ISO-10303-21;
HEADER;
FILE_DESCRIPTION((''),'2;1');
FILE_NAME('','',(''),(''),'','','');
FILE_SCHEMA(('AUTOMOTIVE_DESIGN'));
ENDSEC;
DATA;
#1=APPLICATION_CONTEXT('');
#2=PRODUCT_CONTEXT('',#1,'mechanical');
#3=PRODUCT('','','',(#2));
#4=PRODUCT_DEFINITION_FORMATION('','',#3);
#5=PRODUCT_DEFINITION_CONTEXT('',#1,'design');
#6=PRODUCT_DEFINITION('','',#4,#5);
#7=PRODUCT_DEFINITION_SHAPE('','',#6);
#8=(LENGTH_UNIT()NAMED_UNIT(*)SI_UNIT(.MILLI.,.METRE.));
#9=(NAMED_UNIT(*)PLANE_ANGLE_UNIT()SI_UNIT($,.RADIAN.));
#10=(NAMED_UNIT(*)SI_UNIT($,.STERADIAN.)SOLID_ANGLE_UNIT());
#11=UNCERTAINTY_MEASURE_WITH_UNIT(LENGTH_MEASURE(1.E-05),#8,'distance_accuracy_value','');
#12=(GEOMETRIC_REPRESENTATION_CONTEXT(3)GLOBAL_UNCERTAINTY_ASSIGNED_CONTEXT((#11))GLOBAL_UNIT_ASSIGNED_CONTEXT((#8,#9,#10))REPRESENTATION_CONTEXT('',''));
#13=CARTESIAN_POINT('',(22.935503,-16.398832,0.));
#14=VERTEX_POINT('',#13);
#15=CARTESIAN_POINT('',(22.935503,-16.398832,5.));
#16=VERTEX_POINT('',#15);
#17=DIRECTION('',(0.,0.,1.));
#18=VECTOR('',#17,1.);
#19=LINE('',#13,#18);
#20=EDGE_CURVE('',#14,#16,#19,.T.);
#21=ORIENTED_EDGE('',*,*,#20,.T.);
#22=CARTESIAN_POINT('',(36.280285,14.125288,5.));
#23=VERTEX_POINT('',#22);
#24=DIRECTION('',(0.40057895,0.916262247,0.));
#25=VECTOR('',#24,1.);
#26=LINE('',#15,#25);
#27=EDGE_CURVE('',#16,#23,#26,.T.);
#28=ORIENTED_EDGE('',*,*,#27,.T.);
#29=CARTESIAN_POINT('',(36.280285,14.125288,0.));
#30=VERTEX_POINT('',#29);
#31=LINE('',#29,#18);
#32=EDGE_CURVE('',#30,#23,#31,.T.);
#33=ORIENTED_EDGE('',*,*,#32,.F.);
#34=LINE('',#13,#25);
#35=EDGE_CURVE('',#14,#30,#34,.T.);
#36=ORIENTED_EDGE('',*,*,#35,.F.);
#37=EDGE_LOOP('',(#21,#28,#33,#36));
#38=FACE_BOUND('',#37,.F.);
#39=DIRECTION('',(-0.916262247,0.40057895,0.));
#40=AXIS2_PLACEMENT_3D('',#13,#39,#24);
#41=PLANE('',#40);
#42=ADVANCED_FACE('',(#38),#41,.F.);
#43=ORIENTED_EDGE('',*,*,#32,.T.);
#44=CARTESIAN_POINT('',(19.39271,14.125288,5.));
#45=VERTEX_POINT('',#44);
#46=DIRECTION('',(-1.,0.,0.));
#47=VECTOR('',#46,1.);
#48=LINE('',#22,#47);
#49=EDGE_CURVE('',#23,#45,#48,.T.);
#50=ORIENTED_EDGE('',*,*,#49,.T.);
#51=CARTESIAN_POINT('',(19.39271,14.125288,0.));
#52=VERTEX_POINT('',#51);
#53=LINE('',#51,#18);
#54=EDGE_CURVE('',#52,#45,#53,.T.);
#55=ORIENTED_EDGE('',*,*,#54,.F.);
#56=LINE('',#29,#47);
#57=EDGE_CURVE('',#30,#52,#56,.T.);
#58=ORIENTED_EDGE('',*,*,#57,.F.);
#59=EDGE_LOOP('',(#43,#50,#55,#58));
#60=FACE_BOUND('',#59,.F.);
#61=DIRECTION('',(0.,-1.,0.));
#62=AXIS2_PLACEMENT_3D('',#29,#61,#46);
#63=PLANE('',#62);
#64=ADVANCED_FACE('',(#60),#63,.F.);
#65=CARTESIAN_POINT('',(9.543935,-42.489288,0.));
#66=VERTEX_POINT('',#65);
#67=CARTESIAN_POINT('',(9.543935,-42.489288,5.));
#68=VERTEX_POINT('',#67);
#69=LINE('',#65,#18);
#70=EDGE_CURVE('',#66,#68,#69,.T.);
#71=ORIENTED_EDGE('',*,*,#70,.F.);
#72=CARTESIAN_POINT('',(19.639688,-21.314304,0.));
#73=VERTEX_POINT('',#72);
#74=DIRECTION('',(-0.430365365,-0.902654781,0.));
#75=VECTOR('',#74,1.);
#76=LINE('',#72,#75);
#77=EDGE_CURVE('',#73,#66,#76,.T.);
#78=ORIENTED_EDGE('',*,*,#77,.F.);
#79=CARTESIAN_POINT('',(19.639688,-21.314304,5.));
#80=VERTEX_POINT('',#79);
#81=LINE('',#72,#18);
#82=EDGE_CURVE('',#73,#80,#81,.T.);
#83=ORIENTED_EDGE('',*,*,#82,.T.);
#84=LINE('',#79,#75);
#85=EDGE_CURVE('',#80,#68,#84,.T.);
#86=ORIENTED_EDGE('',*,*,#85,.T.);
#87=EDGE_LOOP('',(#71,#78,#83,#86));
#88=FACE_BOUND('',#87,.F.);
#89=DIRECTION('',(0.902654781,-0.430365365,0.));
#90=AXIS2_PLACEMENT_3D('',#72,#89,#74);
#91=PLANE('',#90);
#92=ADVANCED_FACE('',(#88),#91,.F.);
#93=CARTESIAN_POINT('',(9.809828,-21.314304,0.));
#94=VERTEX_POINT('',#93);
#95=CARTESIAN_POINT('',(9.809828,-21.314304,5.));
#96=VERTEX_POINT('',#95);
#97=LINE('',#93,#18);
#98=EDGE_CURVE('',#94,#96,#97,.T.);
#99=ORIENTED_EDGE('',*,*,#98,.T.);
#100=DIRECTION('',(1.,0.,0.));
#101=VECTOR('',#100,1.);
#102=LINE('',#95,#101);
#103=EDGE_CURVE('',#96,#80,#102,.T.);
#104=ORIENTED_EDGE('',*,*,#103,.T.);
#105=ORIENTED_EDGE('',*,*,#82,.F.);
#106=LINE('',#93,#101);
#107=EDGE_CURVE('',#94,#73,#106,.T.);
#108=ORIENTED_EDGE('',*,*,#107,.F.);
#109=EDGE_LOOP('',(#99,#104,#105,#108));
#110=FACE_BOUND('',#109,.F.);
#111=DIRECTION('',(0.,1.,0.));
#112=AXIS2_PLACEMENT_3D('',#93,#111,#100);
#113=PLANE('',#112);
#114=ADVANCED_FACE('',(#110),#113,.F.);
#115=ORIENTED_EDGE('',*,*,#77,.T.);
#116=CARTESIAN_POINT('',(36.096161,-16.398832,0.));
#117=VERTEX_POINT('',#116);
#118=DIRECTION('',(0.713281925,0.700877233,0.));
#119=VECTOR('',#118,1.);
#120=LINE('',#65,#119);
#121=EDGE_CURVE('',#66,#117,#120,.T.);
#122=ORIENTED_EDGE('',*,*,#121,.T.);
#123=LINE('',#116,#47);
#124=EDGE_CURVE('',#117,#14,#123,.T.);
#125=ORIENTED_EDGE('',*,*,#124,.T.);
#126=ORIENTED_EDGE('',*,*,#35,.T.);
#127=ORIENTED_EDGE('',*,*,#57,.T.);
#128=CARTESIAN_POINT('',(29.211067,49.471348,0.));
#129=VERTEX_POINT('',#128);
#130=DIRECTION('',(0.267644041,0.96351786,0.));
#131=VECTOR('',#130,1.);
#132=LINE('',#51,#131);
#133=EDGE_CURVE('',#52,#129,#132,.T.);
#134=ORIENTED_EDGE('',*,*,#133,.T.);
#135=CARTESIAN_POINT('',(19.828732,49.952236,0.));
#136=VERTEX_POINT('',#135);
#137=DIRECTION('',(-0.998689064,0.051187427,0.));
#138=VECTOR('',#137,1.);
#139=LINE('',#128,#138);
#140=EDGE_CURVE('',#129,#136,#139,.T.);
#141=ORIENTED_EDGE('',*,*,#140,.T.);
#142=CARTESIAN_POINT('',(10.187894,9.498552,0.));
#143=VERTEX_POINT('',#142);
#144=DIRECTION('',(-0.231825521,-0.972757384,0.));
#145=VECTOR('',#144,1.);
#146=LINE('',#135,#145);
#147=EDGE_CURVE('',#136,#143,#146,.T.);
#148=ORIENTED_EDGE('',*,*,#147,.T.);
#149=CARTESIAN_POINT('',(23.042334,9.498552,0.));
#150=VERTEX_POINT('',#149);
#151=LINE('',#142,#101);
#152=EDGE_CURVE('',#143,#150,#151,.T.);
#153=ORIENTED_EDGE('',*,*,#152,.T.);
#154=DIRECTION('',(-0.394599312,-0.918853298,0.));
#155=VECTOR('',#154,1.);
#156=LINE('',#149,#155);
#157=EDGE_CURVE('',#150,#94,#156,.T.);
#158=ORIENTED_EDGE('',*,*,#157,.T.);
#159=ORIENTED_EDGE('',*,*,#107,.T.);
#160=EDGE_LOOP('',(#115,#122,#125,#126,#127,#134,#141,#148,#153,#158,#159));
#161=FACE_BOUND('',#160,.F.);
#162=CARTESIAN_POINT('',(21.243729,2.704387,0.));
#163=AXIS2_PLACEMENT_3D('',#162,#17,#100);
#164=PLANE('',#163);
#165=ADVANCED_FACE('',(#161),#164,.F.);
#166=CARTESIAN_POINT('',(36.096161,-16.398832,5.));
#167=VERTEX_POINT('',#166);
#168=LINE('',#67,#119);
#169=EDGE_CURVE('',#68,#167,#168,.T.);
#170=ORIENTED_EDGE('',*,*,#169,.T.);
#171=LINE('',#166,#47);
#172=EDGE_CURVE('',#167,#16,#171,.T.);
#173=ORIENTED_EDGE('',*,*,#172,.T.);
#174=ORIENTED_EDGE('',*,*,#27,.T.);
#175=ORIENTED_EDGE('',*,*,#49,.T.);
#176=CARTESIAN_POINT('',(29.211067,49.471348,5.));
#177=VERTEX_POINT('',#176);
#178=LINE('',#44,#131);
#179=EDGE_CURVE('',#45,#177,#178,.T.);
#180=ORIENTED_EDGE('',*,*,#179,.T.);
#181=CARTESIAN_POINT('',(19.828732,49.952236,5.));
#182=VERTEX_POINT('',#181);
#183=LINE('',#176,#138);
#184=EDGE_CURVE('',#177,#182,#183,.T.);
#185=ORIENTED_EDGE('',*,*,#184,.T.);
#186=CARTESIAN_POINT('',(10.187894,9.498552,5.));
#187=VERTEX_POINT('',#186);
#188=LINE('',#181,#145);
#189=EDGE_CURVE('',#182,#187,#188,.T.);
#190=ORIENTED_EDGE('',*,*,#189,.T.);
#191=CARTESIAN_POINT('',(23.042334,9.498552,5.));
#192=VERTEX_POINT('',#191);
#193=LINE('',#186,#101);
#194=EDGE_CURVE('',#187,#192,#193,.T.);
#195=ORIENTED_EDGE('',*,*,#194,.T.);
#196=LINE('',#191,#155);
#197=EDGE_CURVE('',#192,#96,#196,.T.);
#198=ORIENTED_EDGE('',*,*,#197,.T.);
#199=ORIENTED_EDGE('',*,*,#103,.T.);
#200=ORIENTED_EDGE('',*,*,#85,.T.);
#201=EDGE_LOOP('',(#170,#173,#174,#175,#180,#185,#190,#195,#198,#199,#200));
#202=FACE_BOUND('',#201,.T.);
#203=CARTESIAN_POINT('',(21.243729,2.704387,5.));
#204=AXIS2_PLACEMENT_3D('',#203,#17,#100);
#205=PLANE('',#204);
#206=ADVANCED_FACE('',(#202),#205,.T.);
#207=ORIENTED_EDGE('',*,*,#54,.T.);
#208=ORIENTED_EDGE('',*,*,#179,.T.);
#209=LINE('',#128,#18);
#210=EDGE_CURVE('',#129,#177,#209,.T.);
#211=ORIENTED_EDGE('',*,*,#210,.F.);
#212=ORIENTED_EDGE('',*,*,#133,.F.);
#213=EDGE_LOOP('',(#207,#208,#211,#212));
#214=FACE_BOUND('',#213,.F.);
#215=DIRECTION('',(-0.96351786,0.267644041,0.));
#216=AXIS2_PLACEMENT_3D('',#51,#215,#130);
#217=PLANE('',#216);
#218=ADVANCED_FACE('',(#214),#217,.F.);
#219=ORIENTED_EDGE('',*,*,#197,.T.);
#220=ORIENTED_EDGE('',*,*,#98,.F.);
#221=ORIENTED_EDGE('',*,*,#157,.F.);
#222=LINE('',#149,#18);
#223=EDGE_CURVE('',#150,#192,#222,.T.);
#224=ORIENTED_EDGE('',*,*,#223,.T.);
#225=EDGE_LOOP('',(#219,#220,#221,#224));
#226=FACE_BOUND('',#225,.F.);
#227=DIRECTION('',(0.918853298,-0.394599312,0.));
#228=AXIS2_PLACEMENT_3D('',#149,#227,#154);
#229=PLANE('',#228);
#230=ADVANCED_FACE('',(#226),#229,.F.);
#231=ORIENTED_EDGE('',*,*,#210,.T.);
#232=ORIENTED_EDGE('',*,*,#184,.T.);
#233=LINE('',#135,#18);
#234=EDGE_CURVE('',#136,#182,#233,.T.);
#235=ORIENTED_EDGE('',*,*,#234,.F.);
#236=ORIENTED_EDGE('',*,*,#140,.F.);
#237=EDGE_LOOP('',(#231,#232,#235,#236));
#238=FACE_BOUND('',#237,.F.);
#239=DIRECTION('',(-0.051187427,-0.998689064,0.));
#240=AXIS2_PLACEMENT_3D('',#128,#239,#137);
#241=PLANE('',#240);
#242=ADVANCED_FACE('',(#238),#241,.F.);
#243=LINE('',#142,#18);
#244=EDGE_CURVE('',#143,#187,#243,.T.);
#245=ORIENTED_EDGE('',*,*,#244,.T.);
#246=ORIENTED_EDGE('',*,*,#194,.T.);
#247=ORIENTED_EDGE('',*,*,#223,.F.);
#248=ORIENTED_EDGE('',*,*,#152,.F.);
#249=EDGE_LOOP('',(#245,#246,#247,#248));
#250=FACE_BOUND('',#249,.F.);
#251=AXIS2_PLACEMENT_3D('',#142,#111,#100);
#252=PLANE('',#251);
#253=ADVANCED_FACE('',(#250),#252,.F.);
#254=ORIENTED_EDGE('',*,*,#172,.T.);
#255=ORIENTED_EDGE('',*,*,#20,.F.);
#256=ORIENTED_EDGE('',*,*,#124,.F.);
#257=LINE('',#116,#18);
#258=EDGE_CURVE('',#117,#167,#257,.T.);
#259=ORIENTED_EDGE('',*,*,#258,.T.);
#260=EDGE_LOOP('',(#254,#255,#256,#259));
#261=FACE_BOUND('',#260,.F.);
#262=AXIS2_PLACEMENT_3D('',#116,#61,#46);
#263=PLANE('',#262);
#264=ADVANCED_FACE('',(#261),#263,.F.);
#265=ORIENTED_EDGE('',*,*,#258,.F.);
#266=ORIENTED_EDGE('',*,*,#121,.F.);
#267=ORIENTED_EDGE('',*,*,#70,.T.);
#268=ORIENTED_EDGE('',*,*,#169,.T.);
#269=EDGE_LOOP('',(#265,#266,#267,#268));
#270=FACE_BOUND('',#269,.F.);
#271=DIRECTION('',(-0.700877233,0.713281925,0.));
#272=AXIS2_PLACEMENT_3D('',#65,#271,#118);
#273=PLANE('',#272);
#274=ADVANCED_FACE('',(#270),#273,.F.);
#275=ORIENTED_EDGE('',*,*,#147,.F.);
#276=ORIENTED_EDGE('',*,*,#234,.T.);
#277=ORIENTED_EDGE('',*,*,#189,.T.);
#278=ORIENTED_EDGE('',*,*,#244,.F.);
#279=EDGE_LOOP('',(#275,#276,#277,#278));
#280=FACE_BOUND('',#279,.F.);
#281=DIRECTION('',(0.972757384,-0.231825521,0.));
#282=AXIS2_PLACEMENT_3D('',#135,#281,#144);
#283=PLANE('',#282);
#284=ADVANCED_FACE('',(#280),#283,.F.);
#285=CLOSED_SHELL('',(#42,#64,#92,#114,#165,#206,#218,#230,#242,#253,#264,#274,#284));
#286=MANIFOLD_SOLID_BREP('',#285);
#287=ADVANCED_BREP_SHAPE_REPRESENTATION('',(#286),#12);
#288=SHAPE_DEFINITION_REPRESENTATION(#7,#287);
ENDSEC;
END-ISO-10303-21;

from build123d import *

# Parameters (mm, degrees)
PAD_DEPTH = 5


with BuildPart() as part:
    # Sketch → Pad (new body)
    with BuildSketch(Plane.XY):
        Polygon((19.828732, 49.952236), (10.187894, 9.498552), (23.042334, 9.498552), (9.809828, -21.314304), (19.639688, -21.314304), (9.543935, -42.489288), (36.096161, -16.398832), (22.935503, -16.398832), (36.280285, 14.125288), (19.39271, 14.125288), (29.211067, 49.471348), align=None)
    extrude(amount=PAD_DEPTH)


solid = part.part
